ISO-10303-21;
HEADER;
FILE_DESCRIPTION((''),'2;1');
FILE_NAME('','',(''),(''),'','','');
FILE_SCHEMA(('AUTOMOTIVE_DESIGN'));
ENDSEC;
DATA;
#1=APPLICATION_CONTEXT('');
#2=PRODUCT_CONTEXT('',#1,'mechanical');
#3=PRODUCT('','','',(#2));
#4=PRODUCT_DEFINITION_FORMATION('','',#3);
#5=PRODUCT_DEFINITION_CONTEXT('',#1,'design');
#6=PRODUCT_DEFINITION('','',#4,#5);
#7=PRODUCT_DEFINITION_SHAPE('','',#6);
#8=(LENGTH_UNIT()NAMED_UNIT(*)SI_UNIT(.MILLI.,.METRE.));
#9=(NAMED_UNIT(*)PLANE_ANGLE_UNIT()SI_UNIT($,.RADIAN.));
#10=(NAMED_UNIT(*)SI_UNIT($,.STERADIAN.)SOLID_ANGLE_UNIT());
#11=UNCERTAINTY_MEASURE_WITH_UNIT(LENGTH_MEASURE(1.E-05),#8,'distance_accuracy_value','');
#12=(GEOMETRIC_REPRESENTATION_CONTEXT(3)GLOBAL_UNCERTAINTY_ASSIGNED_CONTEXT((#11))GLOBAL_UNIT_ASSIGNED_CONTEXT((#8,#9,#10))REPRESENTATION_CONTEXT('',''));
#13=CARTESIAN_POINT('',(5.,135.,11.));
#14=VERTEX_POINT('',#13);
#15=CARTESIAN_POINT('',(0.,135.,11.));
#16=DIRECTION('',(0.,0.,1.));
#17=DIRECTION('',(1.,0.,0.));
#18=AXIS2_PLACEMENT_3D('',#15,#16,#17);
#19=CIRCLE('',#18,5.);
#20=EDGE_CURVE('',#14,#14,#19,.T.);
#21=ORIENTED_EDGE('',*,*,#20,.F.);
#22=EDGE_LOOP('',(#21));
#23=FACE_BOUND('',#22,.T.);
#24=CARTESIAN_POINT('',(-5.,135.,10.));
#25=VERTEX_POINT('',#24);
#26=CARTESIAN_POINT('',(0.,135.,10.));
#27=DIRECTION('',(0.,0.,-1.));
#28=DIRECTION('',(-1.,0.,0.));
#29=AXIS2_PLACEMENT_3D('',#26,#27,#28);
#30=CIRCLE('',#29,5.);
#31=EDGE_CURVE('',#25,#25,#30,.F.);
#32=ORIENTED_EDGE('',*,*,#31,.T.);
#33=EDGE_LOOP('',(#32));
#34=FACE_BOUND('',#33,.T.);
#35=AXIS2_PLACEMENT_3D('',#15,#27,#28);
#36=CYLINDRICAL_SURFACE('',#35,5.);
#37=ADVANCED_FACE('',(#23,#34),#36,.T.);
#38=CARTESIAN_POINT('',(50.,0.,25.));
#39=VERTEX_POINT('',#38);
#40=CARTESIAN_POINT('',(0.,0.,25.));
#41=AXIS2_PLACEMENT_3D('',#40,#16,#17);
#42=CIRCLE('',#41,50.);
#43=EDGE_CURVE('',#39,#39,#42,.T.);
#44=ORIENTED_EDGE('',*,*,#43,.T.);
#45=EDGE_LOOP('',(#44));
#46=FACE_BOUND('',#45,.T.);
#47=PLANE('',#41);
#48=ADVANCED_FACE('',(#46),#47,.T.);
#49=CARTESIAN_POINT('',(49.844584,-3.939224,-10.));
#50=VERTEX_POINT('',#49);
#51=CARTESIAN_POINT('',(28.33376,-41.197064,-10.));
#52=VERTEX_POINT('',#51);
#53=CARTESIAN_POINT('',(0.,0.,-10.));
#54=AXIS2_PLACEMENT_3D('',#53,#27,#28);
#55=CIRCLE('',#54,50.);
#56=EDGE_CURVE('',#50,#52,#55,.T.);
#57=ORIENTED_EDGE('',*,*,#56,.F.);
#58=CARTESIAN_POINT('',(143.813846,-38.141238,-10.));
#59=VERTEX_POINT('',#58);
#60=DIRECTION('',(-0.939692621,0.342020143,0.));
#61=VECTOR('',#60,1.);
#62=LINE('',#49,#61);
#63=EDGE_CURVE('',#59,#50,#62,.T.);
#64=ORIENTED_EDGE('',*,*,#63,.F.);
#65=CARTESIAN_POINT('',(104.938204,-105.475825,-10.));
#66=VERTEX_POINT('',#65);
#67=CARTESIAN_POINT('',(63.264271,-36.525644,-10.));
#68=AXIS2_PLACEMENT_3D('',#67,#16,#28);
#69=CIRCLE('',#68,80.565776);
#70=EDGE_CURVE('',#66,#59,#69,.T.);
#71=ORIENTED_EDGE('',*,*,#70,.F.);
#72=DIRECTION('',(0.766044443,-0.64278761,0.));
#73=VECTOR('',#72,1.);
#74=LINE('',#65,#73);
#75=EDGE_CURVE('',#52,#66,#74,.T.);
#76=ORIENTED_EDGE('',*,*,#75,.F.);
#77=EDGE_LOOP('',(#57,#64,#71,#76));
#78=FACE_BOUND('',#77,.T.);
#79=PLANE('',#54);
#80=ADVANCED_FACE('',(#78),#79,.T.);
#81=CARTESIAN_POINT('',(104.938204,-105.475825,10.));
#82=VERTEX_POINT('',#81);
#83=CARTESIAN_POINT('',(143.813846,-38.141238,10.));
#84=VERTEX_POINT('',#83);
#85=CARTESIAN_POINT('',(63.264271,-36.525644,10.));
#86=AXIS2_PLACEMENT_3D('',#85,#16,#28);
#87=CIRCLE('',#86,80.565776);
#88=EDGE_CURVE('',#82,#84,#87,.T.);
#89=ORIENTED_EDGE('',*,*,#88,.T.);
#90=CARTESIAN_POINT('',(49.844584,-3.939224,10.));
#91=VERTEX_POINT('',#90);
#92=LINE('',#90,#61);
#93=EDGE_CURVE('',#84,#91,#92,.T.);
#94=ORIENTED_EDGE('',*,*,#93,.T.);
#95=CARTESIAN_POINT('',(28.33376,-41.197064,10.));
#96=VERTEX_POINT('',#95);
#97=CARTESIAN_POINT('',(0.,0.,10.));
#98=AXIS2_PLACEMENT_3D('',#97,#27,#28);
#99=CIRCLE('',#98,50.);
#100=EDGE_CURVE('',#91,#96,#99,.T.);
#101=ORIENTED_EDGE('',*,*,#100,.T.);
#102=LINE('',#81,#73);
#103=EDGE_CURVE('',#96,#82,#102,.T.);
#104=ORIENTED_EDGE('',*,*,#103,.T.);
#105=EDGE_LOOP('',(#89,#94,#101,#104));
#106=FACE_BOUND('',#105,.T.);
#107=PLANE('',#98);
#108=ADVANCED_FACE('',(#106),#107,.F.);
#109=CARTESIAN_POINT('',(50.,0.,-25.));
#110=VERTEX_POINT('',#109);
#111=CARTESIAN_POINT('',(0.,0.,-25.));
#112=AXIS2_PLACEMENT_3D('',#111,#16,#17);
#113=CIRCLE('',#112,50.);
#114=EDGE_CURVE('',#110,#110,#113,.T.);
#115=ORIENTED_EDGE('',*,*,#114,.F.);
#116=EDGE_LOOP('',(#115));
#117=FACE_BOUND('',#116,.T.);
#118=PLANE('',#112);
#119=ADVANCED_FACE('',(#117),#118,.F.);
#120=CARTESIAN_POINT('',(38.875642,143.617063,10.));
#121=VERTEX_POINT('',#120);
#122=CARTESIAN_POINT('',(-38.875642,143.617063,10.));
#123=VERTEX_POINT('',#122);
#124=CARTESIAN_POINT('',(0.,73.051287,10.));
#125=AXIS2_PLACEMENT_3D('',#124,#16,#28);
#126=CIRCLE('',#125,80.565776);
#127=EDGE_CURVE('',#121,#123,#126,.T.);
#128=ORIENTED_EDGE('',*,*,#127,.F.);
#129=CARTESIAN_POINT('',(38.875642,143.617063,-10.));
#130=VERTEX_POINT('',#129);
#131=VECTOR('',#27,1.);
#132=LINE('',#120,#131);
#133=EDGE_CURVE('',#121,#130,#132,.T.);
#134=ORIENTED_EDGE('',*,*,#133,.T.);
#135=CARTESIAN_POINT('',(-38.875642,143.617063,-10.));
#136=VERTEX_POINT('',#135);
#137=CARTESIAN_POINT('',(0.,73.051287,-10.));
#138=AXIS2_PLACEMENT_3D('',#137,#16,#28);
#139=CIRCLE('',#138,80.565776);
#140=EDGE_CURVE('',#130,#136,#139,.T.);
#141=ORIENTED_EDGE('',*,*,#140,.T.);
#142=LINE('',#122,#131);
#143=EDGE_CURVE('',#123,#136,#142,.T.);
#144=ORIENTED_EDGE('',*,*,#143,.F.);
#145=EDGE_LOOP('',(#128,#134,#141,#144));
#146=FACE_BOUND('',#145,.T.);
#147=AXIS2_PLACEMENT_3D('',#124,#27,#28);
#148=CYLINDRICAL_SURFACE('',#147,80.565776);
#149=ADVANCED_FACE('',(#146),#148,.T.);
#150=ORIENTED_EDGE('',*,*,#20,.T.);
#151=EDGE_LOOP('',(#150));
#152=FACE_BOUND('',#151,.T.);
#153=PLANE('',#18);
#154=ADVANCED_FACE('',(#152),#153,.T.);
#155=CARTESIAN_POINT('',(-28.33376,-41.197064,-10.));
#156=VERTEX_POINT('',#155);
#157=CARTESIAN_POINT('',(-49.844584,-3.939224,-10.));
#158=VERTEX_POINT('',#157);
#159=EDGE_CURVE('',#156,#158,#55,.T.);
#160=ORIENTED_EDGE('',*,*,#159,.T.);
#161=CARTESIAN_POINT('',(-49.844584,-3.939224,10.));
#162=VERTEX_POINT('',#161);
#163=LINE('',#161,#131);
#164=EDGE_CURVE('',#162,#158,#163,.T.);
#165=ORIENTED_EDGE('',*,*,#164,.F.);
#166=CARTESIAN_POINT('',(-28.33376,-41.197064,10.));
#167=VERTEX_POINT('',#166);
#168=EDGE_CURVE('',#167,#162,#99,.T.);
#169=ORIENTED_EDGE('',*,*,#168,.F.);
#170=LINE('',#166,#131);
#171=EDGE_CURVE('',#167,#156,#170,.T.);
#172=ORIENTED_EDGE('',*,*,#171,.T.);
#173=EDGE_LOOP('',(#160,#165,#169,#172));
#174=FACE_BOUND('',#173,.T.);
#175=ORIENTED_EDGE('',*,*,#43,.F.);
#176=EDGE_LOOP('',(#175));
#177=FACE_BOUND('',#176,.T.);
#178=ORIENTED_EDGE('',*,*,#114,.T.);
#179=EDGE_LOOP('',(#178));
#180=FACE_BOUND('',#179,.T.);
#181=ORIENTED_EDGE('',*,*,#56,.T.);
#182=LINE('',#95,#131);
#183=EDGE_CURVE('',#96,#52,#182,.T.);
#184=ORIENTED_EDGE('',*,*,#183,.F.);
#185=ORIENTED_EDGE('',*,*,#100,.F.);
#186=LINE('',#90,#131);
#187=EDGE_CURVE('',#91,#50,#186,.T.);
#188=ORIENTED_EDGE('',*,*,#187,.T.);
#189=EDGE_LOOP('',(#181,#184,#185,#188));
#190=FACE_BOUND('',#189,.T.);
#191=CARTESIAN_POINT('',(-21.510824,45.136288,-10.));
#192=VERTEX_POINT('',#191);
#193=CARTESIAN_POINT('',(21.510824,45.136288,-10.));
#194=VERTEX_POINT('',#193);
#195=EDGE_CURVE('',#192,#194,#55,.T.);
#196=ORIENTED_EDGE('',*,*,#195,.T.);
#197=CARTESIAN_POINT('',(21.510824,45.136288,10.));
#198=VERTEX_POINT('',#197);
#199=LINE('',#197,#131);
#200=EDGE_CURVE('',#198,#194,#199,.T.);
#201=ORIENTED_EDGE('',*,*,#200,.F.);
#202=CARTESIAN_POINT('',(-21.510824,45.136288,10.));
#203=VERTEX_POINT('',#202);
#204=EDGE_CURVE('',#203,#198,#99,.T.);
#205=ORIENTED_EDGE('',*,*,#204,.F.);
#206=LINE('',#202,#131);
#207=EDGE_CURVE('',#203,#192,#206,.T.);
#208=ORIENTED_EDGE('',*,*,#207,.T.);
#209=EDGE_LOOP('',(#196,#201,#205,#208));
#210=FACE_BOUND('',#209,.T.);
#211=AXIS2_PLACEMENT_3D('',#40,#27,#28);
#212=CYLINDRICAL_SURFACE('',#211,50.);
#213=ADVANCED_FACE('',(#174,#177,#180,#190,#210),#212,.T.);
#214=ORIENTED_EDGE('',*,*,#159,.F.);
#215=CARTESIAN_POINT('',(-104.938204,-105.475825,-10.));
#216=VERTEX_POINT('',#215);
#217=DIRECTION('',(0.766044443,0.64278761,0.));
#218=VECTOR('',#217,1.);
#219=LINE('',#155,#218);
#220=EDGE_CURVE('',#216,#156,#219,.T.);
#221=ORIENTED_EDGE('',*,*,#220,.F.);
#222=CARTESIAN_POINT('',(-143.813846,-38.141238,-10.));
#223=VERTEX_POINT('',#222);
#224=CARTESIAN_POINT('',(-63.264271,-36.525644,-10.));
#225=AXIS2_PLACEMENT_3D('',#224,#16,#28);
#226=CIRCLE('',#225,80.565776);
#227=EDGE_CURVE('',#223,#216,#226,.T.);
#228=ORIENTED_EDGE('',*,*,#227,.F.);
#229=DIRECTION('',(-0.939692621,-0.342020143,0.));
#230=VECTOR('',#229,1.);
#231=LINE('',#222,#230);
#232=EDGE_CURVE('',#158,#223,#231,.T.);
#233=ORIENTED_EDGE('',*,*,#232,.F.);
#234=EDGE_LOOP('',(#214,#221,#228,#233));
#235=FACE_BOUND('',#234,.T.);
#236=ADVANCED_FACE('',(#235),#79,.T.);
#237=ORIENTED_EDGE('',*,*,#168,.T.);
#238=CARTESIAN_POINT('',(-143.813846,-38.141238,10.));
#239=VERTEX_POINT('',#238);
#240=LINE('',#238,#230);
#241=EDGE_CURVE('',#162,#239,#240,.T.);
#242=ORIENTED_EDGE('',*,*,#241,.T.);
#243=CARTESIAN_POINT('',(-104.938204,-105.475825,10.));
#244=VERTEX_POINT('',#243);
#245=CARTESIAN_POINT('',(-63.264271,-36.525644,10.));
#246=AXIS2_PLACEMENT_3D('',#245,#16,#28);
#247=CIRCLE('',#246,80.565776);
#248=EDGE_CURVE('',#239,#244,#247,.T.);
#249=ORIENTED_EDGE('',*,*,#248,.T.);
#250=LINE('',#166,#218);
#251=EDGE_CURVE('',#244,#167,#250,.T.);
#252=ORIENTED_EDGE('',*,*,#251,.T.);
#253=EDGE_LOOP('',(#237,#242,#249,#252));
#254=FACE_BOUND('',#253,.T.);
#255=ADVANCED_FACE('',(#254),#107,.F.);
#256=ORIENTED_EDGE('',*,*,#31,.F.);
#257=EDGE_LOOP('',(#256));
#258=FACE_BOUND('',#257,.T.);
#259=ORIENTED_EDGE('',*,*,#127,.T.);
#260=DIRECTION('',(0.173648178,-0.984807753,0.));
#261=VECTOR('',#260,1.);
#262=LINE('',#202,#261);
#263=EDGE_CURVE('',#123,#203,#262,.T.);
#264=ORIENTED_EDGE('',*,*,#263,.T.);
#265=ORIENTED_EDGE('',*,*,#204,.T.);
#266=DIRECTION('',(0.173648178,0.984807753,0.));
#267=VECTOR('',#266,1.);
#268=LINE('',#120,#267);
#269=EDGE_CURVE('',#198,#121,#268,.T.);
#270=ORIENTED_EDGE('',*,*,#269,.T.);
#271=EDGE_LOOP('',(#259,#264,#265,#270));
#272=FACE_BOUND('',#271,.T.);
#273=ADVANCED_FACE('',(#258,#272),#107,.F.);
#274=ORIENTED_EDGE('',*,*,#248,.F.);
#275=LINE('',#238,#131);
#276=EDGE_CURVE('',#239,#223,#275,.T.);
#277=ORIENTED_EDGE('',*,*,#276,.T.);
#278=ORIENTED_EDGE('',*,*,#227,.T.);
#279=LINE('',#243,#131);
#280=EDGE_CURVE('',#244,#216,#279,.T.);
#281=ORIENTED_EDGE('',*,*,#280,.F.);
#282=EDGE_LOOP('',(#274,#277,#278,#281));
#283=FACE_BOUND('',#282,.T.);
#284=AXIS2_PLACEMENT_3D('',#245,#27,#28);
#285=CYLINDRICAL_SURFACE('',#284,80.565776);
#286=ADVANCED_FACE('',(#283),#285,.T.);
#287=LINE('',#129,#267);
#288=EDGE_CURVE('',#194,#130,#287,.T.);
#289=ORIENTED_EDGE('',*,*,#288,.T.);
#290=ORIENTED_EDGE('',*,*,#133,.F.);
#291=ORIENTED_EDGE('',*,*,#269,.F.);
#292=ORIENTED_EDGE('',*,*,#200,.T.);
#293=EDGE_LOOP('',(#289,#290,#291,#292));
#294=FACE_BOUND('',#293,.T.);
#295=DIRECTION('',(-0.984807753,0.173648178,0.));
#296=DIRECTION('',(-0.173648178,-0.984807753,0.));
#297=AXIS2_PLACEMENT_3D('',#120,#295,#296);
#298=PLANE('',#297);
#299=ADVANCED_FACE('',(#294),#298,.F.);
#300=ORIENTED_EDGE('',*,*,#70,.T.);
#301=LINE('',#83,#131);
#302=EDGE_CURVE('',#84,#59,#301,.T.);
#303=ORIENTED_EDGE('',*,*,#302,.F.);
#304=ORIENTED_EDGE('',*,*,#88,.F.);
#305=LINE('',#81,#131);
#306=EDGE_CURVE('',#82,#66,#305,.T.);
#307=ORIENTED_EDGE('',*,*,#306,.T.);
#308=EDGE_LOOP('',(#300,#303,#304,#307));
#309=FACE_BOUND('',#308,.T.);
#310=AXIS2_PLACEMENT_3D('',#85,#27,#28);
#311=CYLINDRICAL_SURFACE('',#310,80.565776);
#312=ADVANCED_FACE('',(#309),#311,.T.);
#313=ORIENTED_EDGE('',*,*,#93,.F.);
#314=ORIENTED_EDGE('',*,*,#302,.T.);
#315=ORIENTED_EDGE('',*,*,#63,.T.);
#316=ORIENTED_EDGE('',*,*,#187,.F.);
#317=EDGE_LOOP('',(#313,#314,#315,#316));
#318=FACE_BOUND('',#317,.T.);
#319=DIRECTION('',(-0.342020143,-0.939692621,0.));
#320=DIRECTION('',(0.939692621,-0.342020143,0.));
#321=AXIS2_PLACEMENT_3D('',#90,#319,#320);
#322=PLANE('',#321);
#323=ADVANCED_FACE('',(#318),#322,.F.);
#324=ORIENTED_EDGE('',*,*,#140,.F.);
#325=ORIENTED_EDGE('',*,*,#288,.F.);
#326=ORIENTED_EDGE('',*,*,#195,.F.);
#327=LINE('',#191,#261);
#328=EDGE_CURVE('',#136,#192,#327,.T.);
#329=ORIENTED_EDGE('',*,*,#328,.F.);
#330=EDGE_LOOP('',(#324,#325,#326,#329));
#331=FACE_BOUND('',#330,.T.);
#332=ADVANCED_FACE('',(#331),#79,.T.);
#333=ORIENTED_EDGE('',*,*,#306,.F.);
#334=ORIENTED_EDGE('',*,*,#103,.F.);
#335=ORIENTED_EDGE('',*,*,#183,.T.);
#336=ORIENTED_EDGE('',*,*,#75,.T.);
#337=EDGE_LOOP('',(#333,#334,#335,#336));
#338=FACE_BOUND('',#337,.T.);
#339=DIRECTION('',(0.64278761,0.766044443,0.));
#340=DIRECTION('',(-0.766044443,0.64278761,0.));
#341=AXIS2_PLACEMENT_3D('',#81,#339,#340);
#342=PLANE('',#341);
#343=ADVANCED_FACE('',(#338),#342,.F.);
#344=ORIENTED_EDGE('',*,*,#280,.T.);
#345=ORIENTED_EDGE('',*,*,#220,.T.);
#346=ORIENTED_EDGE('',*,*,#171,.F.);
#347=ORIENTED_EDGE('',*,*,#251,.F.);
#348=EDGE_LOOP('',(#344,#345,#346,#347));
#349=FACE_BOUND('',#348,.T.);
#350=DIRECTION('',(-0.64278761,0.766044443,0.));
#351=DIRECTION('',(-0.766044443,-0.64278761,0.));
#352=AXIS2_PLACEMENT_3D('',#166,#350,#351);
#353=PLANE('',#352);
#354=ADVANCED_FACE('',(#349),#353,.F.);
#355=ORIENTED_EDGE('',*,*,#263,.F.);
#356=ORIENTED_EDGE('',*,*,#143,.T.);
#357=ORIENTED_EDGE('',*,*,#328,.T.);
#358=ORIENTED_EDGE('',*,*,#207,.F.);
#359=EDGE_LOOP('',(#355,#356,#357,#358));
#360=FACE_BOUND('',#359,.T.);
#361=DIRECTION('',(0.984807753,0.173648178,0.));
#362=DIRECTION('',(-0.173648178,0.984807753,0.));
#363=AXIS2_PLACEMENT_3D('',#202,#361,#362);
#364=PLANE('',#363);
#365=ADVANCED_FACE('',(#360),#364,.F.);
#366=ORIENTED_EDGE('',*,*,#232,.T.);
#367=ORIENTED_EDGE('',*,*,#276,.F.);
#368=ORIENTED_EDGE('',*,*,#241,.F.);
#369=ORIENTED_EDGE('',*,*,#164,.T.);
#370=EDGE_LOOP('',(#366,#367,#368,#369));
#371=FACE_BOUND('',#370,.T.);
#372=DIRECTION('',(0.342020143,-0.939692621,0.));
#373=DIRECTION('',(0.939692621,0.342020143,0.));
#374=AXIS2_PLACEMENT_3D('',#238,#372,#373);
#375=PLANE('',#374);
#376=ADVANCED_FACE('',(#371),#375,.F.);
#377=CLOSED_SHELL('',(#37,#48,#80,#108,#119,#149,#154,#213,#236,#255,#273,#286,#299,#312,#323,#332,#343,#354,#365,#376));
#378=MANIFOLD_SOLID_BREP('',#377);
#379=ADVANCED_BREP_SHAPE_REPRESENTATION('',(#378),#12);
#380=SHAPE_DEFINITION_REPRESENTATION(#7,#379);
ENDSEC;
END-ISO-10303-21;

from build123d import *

# Parameters (mm, degrees)
SKETCH1_R           = 50
BOSS_EXTRUDE1_DEPTH = 25
BOSS_EXTRUDE2_DEPTH = 10
SKETCH3_R           = 5
BOSS_EXTRUDE3_DEPTH = 1


with BuildPart() as part:
    # Sketch1 → Boss-Extrude1 (new body, symmetric)
    with BuildSketch(Plane.XY):
        Circle(SKETCH1_R)
    extrude(amount=BOSS_EXTRUDE1_DEPTH, both=True)

    # Sketch2 → Boss-Extrude2 (add, symmetric)
    with BuildSketch(Plane.XY):
        with BuildLine():
            Line((-21.510823847, 45.13628759), (-38.875641614, 143.617062891))
            ThreePointArc((-38.875641614, 143.617062891), (0, 153.617062891), (38.875641614, 143.617062891))
            Line((38.875641614, 143.617062891), (21.510823847, 45.13628759))
            ThreePointArc((21.510823847, 45.13628759), (0, 50), (-21.510823847, 45.13628759))
        make_face()
        with BuildLine():
            Line((104.938204074, -105.475824672), (28.333759762, -41.197063703))
            ThreePointArc((28.333759762, -41.197063703), (43.301270189, -25), (49.844583609, -3.939223887))
            Line((49.844583609, -3.939223887), (143.813845688, -38.14123822))
            ThreePointArc((143.813845688, -38.14123822), (133.036278919, -76.808531446), (104.938204074, -105.475824672))
        make_face()
        with BuildLine():
            Line((-143.813845688, -38.14123822), (-49.844583609, -3.939223887))
            ThreePointArc((-49.844583609, -3.939223887), (-43.301270189, -25), (-28.333759762, -41.197063703))
            Line((-28.333759762, -41.197063703), (-104.938204074, -105.475824672))
            ThreePointArc((-104.938204074, -105.475824672), (-133.036278919, -76.808531446), (-143.813845688, -38.14123822))
        make_face()
    extrude(amount=BOSS_EXTRUDE2_DEPTH, both=True)

    # Sketch3 → Boss-Extrude3 (add, symmetric)
    with BuildSketch(Plane.XY.offset(10)):
        with Locations((0, 135)):
            Circle(SKETCH3_R)
    extrude(amount=BOSS_EXTRUDE3_DEPTH, both=True)


solid = part.part
